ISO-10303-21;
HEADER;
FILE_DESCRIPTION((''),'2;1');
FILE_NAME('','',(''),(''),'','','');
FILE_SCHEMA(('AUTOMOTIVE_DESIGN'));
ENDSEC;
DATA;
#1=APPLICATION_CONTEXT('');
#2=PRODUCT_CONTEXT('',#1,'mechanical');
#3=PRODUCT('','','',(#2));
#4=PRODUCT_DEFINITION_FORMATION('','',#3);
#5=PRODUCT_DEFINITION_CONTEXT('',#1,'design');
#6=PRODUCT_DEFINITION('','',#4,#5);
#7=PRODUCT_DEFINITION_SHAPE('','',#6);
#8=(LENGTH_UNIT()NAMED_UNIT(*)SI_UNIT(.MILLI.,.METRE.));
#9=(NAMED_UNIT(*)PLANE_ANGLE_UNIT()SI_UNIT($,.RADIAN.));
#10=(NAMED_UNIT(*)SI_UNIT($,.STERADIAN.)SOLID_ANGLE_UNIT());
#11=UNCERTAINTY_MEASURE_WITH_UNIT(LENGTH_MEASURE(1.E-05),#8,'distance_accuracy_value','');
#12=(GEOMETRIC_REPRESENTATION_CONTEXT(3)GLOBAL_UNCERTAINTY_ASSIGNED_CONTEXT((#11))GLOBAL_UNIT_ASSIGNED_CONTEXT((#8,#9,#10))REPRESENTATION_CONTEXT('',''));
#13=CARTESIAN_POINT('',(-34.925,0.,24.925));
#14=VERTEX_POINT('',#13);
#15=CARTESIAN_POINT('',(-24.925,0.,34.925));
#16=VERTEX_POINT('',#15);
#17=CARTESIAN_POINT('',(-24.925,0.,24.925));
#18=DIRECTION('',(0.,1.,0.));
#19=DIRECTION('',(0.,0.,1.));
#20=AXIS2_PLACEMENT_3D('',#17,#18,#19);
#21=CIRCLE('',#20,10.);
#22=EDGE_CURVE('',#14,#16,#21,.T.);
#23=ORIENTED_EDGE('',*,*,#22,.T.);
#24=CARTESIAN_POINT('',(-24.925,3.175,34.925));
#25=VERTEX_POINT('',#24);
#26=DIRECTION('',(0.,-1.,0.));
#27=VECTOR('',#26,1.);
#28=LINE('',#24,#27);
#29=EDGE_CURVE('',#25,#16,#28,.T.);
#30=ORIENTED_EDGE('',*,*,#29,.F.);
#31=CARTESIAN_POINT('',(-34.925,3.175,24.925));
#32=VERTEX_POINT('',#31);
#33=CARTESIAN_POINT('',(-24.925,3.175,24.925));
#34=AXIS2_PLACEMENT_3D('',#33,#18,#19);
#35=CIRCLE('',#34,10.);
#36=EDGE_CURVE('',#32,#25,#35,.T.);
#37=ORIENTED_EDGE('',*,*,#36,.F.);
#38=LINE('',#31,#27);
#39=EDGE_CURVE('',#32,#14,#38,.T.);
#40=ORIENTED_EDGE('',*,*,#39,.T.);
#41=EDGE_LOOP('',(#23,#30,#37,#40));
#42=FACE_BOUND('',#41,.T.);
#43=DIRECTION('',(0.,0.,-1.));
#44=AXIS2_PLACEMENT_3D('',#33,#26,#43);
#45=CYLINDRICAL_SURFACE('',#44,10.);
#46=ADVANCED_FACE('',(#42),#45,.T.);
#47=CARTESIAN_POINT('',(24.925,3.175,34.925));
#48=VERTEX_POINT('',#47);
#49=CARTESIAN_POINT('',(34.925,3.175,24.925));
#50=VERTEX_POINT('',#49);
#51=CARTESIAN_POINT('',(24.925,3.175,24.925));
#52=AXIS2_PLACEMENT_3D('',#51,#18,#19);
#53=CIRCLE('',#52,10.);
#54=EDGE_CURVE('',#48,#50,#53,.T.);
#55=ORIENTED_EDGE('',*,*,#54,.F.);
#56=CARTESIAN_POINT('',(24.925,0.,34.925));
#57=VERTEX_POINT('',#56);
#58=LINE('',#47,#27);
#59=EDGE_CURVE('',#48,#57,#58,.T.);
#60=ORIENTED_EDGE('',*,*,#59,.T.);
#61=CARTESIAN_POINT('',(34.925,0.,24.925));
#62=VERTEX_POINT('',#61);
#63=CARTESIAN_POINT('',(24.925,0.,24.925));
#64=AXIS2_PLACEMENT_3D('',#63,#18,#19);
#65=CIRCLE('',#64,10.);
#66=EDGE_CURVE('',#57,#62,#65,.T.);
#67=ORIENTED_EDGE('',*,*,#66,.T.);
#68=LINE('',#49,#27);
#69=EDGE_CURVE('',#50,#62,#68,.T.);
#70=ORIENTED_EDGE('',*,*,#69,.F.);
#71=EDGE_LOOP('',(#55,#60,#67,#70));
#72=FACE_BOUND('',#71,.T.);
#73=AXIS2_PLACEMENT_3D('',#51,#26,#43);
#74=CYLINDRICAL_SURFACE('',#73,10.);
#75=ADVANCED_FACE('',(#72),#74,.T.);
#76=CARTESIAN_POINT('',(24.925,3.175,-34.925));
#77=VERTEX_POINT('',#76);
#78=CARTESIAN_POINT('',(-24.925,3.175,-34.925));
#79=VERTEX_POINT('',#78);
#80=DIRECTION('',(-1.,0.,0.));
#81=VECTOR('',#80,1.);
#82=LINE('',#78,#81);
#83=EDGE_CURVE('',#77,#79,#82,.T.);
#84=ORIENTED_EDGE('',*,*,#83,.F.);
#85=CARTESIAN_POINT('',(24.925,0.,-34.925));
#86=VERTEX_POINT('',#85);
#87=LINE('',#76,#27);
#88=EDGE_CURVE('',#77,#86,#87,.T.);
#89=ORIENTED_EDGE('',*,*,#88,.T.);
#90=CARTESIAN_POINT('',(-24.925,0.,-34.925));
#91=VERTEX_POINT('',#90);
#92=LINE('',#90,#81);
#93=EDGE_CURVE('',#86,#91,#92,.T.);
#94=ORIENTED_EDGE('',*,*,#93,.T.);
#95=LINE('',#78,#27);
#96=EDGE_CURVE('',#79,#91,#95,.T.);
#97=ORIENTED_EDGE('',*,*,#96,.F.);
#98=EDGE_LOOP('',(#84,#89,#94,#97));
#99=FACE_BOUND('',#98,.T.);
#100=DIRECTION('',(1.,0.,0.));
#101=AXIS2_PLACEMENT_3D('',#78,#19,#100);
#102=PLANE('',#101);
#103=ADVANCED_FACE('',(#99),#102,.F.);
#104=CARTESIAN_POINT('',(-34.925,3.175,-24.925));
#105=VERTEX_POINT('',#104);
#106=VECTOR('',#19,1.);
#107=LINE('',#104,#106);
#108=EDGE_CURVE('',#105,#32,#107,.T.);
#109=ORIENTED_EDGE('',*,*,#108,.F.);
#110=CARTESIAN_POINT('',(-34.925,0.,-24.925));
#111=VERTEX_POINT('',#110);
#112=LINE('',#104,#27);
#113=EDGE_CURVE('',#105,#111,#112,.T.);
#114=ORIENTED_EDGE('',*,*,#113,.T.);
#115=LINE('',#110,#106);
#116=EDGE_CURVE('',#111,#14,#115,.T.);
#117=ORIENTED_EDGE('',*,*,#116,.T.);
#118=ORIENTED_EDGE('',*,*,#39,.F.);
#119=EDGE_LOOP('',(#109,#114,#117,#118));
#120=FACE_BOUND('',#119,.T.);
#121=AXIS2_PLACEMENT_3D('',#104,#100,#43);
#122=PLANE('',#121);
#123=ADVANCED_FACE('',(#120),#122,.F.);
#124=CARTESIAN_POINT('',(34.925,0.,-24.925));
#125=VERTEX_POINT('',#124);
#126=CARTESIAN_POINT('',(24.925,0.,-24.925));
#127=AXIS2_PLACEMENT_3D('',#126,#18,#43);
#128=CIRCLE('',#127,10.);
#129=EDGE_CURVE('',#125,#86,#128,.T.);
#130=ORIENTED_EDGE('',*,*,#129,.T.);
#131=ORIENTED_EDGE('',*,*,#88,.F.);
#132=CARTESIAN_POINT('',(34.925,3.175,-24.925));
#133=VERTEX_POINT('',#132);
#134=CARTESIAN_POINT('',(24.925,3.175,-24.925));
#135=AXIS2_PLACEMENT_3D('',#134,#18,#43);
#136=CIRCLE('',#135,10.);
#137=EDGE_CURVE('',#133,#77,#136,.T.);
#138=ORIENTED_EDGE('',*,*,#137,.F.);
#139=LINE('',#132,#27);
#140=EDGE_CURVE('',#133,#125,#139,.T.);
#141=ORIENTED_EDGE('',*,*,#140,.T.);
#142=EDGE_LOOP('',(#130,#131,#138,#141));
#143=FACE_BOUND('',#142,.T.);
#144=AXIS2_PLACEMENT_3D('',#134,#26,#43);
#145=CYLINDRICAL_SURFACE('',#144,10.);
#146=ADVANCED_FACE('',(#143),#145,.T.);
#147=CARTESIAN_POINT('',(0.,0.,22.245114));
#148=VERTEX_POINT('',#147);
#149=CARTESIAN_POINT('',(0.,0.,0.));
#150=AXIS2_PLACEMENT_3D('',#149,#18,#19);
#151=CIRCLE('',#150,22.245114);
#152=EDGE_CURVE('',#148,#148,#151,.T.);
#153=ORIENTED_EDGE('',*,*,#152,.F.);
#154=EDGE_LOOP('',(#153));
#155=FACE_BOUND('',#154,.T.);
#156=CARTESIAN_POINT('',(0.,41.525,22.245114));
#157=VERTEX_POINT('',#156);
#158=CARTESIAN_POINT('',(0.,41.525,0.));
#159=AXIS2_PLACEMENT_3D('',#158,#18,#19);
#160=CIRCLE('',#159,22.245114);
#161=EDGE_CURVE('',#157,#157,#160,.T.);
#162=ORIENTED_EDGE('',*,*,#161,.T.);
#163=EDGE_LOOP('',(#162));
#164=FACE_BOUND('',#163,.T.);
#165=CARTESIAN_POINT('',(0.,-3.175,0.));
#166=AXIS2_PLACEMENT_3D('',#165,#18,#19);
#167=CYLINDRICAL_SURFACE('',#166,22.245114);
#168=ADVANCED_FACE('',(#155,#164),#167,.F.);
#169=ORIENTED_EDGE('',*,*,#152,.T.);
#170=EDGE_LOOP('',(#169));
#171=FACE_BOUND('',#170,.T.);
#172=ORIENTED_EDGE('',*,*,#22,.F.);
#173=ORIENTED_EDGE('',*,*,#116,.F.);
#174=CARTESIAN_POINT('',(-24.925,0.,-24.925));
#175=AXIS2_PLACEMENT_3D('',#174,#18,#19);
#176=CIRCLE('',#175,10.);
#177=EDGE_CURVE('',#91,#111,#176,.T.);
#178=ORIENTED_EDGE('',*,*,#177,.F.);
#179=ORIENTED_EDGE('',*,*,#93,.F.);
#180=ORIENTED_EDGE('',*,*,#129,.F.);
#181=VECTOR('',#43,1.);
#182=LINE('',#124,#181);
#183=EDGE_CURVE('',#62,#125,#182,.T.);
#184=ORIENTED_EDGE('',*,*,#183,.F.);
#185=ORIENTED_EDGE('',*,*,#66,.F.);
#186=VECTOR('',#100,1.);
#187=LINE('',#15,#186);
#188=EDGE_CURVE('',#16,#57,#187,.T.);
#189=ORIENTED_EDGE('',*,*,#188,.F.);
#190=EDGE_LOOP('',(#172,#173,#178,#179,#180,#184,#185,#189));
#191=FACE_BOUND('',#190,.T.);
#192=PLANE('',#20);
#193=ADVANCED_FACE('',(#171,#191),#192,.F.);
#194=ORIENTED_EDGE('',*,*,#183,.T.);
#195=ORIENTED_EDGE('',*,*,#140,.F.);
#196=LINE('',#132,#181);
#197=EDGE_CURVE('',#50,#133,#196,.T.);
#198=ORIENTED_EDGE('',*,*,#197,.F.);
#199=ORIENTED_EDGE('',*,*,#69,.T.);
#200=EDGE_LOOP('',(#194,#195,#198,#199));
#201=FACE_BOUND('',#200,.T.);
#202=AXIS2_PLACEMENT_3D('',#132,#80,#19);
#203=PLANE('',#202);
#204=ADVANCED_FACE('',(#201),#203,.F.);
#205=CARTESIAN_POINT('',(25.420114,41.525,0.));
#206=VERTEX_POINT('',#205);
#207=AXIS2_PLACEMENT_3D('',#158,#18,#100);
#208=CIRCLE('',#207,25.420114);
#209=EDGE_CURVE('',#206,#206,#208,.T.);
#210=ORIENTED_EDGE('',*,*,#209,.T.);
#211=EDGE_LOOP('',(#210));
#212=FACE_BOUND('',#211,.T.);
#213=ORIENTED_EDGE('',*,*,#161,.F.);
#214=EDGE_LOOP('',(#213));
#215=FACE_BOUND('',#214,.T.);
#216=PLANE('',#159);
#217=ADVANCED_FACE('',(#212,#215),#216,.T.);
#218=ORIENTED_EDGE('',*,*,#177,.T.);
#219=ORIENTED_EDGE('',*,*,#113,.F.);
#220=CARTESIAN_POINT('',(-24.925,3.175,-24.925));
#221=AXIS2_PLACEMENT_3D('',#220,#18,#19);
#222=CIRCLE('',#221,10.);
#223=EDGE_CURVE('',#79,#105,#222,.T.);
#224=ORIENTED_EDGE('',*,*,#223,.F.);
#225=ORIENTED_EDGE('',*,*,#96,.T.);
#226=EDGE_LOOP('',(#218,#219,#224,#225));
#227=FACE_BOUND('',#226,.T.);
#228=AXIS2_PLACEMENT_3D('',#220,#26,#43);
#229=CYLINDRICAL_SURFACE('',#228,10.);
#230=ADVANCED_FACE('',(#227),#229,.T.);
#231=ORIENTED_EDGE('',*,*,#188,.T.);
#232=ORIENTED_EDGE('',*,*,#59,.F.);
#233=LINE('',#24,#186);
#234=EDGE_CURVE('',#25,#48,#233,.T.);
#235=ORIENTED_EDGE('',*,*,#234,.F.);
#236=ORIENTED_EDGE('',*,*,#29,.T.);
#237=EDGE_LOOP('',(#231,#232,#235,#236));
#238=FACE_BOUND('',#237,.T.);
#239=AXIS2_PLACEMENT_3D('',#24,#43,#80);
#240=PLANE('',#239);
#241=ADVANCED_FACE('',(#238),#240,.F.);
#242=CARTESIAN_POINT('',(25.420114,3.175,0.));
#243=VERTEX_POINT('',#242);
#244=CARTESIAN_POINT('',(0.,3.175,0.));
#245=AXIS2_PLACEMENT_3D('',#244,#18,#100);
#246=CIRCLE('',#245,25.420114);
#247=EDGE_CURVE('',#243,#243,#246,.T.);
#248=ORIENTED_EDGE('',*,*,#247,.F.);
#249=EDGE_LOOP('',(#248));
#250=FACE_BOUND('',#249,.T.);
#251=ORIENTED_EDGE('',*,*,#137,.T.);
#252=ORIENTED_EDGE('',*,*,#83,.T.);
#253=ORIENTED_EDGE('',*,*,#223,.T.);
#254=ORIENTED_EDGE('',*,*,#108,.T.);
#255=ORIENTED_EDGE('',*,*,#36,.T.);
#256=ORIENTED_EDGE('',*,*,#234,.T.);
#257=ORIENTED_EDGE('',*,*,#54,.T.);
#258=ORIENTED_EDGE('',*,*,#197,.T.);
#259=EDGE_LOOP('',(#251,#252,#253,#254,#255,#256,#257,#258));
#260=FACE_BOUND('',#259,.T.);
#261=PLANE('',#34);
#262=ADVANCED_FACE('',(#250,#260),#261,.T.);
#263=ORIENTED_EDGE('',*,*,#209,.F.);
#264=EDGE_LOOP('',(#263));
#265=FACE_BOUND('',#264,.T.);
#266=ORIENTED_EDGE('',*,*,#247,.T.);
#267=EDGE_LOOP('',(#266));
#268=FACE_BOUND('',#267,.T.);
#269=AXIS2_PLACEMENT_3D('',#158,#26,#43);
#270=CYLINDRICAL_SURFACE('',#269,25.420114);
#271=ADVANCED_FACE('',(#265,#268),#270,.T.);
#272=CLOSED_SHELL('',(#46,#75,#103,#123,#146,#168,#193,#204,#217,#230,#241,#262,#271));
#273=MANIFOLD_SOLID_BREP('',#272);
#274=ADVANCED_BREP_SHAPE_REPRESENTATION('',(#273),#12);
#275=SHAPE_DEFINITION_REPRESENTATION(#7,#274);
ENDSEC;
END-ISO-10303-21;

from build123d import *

# Parameters (mm, degrees)
BOSS_EXTRUDE1_DEPTH = 3.175
SKETCH2_R           = 22.245113978
CUT_EXTRUDE1_DEPTH  = 6.35
EXTRUDE_THIN1_START = 38.35
SKETCH2_2_R         = 25.420113978
SKETCH2_2_R_2       = 22.245113978
EXTRUDE_THIN1_DEPTH = 38.35


with BuildPart() as part:
    # Sketch1 → Boss-Extrude1 (new body)
    with BuildSketch(Plane(origin=(0, 0, 0), x_dir=(1, 0, 0), z_dir=(0, 1, 0))):
        with BuildLine():
            Line((-24.925, 34.925), (24.925, 34.925))
            ThreePointArc((24.925, 34.925), (31.996067812, 31.996067812), (34.925, 24.925))
            Line((34.925, 24.925), (34.925, -24.925))
            ThreePointArc((34.925, -24.925), (31.996067812, -31.996067812), (24.925, -34.925))
            Line((24.925, -34.925), (-24.925, -34.925))
            ThreePointArc((-24.925, -34.925), (-31.996067812, -31.996067812), (-34.925, -24.925))
            Line((-34.925, -24.925), (-34.925, 24.925))
            ThreePointArc((-34.925, 24.925), (-31.996067812, 31.996067812), (-24.925, 34.925))
        make_face()
    extrude(amount=BOSS_EXTRUDE1_DEPTH)

    # Sketch2 → Cut-Extrude1 (cut)
    with BuildSketch(Plane(origin=(0, 3.175, 0), x_dir=(1, 0, 0), z_dir=(0, 1, 0))):
        Circle(SKETCH2_R)
    extrude(amount=-CUT_EXTRUDE1_DEPTH, mode=Mode.SUBTRACT)

    # Sketch2<2> → Extrude-Thin1 (add)
    with BuildSketch(Plane(origin=(0, 3.175, 0), x_dir=(1, 0, 0), z_dir=(0, 1, 0)).offset(EXTRUDE_THIN1_START)):
        Circle(SKETCH2_2_R)
        Circle(SKETCH2_2_R_2, mode=Mode.SUBTRACT)
    extrude(amount=-EXTRUDE_THIN1_DEPTH)


solid = part.part
